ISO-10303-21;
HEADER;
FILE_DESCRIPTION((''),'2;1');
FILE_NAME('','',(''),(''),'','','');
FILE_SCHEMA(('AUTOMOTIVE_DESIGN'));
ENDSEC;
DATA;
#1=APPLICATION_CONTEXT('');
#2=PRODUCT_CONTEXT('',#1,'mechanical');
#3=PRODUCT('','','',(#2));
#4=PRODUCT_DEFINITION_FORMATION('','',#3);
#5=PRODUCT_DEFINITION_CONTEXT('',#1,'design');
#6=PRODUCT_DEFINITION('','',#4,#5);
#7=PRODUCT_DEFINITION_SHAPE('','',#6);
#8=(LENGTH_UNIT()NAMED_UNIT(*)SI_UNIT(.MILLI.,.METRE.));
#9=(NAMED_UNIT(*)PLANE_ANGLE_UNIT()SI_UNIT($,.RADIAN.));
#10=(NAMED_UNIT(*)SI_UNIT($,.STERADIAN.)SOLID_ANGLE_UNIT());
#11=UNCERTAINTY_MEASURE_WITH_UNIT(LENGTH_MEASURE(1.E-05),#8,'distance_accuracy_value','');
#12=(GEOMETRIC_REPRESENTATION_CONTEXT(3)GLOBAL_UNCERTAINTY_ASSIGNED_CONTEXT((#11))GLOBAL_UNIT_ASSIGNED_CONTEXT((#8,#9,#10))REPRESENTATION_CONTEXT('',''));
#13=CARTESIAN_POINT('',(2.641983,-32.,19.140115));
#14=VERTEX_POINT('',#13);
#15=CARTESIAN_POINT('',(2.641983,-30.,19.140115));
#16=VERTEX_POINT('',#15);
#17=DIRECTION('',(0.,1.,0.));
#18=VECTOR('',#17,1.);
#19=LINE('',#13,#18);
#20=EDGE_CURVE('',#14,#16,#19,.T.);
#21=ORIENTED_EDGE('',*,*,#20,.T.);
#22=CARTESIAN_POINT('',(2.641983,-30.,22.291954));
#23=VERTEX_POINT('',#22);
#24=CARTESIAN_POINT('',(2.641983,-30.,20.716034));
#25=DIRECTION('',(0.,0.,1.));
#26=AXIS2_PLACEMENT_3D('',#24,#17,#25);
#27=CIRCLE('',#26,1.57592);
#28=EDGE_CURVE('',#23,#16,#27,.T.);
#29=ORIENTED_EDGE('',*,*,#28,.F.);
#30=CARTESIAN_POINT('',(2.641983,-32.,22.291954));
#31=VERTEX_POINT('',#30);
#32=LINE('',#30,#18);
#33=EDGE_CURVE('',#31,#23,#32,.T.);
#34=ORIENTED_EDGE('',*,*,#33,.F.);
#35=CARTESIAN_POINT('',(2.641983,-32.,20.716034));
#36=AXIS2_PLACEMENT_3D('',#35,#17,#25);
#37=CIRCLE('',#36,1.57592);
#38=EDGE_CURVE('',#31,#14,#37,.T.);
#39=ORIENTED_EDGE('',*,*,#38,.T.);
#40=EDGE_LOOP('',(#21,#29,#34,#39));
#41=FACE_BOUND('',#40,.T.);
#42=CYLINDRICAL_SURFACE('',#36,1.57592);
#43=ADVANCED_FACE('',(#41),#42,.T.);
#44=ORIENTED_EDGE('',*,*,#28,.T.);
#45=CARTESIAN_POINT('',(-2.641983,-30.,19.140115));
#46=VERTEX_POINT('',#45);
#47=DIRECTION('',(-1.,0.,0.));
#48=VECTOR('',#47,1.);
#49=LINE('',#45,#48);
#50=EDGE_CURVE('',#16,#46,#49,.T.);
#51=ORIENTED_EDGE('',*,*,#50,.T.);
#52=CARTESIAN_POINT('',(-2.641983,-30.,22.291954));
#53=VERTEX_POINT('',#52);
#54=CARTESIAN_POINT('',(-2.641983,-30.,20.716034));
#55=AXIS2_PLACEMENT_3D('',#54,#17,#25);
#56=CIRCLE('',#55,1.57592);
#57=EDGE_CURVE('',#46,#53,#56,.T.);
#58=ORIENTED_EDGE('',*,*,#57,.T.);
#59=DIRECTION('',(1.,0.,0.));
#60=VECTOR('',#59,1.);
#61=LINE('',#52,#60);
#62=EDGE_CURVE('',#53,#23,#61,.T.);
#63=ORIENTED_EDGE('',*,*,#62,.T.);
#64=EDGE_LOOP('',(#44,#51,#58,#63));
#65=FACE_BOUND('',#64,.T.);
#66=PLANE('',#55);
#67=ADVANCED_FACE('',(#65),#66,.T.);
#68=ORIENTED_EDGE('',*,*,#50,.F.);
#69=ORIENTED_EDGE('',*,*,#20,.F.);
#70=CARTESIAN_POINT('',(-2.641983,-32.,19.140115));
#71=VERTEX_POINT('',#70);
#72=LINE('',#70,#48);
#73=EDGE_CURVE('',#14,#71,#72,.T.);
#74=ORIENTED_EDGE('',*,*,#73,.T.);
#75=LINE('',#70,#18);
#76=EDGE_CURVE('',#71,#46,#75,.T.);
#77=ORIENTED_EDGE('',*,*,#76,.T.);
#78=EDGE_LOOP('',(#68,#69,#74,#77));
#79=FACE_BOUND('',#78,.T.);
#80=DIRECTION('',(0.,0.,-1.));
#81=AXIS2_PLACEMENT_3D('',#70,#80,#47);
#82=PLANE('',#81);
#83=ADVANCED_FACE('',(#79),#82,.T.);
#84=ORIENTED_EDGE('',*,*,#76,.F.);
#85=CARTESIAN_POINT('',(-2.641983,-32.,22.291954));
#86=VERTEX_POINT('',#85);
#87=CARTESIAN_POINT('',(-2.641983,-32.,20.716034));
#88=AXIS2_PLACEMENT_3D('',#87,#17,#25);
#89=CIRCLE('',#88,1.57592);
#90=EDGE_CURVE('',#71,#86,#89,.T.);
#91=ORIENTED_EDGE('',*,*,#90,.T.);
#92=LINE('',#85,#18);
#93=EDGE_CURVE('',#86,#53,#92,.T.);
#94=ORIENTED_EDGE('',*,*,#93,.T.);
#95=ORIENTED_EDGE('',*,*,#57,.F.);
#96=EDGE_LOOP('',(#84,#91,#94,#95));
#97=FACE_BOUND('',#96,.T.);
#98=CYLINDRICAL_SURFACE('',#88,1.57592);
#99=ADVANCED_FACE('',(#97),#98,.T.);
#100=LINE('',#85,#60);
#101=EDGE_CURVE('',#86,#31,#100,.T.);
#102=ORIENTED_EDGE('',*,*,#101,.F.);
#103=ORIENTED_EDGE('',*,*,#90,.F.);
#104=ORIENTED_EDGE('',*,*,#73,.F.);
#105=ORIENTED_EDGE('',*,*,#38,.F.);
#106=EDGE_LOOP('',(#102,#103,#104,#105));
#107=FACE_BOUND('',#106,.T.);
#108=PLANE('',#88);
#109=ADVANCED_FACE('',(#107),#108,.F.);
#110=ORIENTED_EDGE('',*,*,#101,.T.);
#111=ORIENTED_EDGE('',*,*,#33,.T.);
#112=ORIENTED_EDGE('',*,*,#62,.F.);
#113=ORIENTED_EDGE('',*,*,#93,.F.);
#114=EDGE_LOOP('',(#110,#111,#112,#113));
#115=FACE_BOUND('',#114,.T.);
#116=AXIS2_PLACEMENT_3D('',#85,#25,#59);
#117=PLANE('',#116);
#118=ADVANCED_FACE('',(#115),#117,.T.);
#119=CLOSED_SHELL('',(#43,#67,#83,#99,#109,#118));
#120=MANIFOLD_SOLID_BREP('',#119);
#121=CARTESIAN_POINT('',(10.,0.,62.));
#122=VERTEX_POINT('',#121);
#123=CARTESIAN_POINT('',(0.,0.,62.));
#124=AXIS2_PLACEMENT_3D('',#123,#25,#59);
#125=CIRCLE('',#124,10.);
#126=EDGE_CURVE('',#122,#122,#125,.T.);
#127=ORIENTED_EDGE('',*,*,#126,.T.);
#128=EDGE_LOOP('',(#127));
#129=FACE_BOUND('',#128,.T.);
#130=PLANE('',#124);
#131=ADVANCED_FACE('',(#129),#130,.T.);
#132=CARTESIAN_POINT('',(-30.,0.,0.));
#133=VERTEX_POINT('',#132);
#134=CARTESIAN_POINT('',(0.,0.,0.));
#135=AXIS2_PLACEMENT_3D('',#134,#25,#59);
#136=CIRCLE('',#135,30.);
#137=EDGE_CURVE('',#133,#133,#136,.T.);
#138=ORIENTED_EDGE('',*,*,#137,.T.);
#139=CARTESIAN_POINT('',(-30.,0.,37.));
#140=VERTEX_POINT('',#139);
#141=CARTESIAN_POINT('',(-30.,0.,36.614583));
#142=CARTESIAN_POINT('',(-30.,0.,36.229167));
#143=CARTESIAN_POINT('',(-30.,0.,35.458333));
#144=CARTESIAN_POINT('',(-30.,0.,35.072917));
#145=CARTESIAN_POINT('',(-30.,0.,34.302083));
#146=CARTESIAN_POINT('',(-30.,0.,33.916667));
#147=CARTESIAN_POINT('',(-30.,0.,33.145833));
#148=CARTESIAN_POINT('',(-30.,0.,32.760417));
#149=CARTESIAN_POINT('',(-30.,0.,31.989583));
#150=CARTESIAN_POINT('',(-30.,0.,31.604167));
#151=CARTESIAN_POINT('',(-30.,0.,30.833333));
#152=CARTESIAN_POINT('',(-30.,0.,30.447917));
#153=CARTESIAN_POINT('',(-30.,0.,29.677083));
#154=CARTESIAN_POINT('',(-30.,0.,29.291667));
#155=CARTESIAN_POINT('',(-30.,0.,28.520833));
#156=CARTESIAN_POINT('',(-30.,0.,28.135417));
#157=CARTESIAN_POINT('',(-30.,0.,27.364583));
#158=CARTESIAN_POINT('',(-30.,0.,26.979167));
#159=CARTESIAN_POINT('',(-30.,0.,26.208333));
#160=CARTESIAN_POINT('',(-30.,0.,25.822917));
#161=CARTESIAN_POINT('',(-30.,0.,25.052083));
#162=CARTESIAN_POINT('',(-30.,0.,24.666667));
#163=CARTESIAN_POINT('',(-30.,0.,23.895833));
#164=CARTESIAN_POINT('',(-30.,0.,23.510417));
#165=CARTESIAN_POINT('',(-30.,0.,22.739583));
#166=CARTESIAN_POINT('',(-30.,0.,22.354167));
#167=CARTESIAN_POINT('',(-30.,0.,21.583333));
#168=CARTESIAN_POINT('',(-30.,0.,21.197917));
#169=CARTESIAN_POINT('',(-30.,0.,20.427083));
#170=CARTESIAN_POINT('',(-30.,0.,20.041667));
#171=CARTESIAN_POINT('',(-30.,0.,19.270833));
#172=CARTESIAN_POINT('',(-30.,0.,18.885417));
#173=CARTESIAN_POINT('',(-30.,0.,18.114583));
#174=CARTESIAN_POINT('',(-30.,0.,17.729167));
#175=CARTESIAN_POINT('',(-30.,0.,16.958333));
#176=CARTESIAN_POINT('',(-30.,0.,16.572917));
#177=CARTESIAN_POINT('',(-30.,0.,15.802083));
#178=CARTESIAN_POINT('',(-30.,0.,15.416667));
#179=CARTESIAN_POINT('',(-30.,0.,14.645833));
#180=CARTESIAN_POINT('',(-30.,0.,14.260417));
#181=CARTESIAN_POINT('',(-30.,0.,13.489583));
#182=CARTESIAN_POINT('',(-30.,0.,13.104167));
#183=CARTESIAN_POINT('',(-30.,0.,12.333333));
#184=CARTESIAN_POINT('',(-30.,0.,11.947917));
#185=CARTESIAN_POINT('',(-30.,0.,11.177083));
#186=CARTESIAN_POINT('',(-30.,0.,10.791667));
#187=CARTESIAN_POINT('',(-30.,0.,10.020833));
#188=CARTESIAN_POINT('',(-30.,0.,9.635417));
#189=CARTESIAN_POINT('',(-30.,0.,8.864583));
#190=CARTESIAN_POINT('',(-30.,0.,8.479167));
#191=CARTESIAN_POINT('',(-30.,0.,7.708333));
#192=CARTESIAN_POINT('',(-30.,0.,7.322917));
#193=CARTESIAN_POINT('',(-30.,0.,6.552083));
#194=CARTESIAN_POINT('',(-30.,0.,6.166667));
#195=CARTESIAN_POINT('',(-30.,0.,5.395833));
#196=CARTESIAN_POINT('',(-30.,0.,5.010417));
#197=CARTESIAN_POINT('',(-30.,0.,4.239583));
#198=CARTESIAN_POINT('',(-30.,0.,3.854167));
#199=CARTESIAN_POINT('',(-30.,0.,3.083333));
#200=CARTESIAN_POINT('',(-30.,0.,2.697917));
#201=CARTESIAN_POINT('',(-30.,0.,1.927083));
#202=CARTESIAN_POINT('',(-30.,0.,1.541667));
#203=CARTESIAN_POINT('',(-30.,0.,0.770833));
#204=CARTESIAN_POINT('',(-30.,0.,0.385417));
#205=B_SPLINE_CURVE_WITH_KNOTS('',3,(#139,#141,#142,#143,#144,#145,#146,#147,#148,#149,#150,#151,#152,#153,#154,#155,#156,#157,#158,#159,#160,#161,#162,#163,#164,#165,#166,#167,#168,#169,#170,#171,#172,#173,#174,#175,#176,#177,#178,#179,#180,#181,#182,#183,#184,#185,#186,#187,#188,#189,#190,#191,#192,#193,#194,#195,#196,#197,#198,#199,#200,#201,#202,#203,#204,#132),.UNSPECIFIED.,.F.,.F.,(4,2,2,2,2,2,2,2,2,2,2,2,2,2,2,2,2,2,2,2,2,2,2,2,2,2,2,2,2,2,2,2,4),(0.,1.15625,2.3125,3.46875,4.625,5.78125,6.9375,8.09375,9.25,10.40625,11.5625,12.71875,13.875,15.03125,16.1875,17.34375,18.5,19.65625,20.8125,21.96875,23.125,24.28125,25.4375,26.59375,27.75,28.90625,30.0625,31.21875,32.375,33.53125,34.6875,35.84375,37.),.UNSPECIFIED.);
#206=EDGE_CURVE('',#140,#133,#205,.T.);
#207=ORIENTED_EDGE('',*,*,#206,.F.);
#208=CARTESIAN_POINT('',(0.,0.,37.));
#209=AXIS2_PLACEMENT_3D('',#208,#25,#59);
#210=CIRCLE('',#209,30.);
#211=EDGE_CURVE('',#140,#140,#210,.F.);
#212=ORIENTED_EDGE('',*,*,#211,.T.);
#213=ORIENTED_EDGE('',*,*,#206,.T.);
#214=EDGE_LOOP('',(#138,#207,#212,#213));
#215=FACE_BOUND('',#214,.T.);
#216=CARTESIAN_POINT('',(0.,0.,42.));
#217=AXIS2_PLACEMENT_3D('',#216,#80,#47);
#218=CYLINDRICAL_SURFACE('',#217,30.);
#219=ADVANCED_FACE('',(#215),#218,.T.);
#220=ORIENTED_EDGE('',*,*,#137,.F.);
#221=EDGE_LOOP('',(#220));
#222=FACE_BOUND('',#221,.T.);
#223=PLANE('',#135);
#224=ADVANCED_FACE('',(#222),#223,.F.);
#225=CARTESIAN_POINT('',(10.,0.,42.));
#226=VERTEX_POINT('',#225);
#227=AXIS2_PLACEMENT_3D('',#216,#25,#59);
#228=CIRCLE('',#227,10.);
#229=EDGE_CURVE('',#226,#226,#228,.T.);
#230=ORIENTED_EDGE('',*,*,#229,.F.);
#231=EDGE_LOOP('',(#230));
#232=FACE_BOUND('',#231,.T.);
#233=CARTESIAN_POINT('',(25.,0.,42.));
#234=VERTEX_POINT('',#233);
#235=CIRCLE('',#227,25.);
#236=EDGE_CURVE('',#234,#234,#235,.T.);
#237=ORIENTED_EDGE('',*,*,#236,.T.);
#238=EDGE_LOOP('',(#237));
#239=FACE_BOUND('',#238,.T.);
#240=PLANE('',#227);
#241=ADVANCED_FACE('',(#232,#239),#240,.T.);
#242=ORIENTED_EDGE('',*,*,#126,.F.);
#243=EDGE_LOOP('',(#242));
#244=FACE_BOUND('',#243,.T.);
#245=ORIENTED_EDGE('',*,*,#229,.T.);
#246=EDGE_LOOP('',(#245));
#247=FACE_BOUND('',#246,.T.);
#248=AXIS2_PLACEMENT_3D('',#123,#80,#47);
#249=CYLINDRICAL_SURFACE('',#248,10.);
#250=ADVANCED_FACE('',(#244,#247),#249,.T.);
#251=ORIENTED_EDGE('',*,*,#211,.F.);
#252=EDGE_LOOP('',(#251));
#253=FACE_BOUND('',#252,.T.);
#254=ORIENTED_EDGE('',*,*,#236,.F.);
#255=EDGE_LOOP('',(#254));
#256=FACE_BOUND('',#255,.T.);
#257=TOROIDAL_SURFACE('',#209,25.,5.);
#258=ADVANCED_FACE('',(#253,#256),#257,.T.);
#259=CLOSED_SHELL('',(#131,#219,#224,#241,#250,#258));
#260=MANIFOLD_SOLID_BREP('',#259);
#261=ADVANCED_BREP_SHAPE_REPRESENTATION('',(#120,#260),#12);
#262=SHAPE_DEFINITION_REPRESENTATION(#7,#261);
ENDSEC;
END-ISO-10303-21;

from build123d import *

# Parameters (mm, degrees)
SKETCH1_R           = 30
BOSS_EXTRUDE1_DEPTH = 42
SKETCH3_R           = 10
BOSS_EXTRUDE2_DEPTH = 20
FILLET1_R           = 5
BOSS_EXTRUDE6_DEPTH = 2


with BuildPart() as part:
    # Sketch1 → Boss-Extrude1 (new body)
    with BuildSketch(Plane.XY):
        Circle(SKETCH1_R)
    extrude(amount=BOSS_EXTRUDE1_DEPTH)

    # Sketch3 → Boss-Extrude2 (add)
    with BuildSketch(Plane.XY.offset(42)):
        Circle(SKETCH3_R)
    extrude(amount=BOSS_EXTRUDE2_DEPTH)

    # Fillet1
    fillet1_edges = [part.edges().sort_by_distance(p)[0] for p in [
        (-30, 0, 42),
    ]]
    fillet(fillet1_edges, radius=FILLET1_R)


with BuildPart() as body_2:
    # Sketch9 → Boss-Extrude6 (new body)
    with BuildSketch(Plane(origin=(0, -30, 0), x_dir=(1, 0, 0), z_dir=(0, 1, 0))):
        with BuildLine():
            Line((-2.641982759, -19.140114943), (2.641982759, -19.140114943))
            ThreePointArc((2.641982759, -19.140114943), (4.217902299, -20.716034483), (2.641982759, -22.291954023))
            Line((2.641982759, -22.291954023), (-2.641982759, -22.291954023))
            ThreePointArc((-2.641982759, -22.291954023), (-4.217902299, -20.716034483), (-2.641982759, -19.140114943))
        make_face()
    extrude(amount=-BOSS_EXTRUDE6_DEPTH)


solid = Compound([part.part, body_2.part])
